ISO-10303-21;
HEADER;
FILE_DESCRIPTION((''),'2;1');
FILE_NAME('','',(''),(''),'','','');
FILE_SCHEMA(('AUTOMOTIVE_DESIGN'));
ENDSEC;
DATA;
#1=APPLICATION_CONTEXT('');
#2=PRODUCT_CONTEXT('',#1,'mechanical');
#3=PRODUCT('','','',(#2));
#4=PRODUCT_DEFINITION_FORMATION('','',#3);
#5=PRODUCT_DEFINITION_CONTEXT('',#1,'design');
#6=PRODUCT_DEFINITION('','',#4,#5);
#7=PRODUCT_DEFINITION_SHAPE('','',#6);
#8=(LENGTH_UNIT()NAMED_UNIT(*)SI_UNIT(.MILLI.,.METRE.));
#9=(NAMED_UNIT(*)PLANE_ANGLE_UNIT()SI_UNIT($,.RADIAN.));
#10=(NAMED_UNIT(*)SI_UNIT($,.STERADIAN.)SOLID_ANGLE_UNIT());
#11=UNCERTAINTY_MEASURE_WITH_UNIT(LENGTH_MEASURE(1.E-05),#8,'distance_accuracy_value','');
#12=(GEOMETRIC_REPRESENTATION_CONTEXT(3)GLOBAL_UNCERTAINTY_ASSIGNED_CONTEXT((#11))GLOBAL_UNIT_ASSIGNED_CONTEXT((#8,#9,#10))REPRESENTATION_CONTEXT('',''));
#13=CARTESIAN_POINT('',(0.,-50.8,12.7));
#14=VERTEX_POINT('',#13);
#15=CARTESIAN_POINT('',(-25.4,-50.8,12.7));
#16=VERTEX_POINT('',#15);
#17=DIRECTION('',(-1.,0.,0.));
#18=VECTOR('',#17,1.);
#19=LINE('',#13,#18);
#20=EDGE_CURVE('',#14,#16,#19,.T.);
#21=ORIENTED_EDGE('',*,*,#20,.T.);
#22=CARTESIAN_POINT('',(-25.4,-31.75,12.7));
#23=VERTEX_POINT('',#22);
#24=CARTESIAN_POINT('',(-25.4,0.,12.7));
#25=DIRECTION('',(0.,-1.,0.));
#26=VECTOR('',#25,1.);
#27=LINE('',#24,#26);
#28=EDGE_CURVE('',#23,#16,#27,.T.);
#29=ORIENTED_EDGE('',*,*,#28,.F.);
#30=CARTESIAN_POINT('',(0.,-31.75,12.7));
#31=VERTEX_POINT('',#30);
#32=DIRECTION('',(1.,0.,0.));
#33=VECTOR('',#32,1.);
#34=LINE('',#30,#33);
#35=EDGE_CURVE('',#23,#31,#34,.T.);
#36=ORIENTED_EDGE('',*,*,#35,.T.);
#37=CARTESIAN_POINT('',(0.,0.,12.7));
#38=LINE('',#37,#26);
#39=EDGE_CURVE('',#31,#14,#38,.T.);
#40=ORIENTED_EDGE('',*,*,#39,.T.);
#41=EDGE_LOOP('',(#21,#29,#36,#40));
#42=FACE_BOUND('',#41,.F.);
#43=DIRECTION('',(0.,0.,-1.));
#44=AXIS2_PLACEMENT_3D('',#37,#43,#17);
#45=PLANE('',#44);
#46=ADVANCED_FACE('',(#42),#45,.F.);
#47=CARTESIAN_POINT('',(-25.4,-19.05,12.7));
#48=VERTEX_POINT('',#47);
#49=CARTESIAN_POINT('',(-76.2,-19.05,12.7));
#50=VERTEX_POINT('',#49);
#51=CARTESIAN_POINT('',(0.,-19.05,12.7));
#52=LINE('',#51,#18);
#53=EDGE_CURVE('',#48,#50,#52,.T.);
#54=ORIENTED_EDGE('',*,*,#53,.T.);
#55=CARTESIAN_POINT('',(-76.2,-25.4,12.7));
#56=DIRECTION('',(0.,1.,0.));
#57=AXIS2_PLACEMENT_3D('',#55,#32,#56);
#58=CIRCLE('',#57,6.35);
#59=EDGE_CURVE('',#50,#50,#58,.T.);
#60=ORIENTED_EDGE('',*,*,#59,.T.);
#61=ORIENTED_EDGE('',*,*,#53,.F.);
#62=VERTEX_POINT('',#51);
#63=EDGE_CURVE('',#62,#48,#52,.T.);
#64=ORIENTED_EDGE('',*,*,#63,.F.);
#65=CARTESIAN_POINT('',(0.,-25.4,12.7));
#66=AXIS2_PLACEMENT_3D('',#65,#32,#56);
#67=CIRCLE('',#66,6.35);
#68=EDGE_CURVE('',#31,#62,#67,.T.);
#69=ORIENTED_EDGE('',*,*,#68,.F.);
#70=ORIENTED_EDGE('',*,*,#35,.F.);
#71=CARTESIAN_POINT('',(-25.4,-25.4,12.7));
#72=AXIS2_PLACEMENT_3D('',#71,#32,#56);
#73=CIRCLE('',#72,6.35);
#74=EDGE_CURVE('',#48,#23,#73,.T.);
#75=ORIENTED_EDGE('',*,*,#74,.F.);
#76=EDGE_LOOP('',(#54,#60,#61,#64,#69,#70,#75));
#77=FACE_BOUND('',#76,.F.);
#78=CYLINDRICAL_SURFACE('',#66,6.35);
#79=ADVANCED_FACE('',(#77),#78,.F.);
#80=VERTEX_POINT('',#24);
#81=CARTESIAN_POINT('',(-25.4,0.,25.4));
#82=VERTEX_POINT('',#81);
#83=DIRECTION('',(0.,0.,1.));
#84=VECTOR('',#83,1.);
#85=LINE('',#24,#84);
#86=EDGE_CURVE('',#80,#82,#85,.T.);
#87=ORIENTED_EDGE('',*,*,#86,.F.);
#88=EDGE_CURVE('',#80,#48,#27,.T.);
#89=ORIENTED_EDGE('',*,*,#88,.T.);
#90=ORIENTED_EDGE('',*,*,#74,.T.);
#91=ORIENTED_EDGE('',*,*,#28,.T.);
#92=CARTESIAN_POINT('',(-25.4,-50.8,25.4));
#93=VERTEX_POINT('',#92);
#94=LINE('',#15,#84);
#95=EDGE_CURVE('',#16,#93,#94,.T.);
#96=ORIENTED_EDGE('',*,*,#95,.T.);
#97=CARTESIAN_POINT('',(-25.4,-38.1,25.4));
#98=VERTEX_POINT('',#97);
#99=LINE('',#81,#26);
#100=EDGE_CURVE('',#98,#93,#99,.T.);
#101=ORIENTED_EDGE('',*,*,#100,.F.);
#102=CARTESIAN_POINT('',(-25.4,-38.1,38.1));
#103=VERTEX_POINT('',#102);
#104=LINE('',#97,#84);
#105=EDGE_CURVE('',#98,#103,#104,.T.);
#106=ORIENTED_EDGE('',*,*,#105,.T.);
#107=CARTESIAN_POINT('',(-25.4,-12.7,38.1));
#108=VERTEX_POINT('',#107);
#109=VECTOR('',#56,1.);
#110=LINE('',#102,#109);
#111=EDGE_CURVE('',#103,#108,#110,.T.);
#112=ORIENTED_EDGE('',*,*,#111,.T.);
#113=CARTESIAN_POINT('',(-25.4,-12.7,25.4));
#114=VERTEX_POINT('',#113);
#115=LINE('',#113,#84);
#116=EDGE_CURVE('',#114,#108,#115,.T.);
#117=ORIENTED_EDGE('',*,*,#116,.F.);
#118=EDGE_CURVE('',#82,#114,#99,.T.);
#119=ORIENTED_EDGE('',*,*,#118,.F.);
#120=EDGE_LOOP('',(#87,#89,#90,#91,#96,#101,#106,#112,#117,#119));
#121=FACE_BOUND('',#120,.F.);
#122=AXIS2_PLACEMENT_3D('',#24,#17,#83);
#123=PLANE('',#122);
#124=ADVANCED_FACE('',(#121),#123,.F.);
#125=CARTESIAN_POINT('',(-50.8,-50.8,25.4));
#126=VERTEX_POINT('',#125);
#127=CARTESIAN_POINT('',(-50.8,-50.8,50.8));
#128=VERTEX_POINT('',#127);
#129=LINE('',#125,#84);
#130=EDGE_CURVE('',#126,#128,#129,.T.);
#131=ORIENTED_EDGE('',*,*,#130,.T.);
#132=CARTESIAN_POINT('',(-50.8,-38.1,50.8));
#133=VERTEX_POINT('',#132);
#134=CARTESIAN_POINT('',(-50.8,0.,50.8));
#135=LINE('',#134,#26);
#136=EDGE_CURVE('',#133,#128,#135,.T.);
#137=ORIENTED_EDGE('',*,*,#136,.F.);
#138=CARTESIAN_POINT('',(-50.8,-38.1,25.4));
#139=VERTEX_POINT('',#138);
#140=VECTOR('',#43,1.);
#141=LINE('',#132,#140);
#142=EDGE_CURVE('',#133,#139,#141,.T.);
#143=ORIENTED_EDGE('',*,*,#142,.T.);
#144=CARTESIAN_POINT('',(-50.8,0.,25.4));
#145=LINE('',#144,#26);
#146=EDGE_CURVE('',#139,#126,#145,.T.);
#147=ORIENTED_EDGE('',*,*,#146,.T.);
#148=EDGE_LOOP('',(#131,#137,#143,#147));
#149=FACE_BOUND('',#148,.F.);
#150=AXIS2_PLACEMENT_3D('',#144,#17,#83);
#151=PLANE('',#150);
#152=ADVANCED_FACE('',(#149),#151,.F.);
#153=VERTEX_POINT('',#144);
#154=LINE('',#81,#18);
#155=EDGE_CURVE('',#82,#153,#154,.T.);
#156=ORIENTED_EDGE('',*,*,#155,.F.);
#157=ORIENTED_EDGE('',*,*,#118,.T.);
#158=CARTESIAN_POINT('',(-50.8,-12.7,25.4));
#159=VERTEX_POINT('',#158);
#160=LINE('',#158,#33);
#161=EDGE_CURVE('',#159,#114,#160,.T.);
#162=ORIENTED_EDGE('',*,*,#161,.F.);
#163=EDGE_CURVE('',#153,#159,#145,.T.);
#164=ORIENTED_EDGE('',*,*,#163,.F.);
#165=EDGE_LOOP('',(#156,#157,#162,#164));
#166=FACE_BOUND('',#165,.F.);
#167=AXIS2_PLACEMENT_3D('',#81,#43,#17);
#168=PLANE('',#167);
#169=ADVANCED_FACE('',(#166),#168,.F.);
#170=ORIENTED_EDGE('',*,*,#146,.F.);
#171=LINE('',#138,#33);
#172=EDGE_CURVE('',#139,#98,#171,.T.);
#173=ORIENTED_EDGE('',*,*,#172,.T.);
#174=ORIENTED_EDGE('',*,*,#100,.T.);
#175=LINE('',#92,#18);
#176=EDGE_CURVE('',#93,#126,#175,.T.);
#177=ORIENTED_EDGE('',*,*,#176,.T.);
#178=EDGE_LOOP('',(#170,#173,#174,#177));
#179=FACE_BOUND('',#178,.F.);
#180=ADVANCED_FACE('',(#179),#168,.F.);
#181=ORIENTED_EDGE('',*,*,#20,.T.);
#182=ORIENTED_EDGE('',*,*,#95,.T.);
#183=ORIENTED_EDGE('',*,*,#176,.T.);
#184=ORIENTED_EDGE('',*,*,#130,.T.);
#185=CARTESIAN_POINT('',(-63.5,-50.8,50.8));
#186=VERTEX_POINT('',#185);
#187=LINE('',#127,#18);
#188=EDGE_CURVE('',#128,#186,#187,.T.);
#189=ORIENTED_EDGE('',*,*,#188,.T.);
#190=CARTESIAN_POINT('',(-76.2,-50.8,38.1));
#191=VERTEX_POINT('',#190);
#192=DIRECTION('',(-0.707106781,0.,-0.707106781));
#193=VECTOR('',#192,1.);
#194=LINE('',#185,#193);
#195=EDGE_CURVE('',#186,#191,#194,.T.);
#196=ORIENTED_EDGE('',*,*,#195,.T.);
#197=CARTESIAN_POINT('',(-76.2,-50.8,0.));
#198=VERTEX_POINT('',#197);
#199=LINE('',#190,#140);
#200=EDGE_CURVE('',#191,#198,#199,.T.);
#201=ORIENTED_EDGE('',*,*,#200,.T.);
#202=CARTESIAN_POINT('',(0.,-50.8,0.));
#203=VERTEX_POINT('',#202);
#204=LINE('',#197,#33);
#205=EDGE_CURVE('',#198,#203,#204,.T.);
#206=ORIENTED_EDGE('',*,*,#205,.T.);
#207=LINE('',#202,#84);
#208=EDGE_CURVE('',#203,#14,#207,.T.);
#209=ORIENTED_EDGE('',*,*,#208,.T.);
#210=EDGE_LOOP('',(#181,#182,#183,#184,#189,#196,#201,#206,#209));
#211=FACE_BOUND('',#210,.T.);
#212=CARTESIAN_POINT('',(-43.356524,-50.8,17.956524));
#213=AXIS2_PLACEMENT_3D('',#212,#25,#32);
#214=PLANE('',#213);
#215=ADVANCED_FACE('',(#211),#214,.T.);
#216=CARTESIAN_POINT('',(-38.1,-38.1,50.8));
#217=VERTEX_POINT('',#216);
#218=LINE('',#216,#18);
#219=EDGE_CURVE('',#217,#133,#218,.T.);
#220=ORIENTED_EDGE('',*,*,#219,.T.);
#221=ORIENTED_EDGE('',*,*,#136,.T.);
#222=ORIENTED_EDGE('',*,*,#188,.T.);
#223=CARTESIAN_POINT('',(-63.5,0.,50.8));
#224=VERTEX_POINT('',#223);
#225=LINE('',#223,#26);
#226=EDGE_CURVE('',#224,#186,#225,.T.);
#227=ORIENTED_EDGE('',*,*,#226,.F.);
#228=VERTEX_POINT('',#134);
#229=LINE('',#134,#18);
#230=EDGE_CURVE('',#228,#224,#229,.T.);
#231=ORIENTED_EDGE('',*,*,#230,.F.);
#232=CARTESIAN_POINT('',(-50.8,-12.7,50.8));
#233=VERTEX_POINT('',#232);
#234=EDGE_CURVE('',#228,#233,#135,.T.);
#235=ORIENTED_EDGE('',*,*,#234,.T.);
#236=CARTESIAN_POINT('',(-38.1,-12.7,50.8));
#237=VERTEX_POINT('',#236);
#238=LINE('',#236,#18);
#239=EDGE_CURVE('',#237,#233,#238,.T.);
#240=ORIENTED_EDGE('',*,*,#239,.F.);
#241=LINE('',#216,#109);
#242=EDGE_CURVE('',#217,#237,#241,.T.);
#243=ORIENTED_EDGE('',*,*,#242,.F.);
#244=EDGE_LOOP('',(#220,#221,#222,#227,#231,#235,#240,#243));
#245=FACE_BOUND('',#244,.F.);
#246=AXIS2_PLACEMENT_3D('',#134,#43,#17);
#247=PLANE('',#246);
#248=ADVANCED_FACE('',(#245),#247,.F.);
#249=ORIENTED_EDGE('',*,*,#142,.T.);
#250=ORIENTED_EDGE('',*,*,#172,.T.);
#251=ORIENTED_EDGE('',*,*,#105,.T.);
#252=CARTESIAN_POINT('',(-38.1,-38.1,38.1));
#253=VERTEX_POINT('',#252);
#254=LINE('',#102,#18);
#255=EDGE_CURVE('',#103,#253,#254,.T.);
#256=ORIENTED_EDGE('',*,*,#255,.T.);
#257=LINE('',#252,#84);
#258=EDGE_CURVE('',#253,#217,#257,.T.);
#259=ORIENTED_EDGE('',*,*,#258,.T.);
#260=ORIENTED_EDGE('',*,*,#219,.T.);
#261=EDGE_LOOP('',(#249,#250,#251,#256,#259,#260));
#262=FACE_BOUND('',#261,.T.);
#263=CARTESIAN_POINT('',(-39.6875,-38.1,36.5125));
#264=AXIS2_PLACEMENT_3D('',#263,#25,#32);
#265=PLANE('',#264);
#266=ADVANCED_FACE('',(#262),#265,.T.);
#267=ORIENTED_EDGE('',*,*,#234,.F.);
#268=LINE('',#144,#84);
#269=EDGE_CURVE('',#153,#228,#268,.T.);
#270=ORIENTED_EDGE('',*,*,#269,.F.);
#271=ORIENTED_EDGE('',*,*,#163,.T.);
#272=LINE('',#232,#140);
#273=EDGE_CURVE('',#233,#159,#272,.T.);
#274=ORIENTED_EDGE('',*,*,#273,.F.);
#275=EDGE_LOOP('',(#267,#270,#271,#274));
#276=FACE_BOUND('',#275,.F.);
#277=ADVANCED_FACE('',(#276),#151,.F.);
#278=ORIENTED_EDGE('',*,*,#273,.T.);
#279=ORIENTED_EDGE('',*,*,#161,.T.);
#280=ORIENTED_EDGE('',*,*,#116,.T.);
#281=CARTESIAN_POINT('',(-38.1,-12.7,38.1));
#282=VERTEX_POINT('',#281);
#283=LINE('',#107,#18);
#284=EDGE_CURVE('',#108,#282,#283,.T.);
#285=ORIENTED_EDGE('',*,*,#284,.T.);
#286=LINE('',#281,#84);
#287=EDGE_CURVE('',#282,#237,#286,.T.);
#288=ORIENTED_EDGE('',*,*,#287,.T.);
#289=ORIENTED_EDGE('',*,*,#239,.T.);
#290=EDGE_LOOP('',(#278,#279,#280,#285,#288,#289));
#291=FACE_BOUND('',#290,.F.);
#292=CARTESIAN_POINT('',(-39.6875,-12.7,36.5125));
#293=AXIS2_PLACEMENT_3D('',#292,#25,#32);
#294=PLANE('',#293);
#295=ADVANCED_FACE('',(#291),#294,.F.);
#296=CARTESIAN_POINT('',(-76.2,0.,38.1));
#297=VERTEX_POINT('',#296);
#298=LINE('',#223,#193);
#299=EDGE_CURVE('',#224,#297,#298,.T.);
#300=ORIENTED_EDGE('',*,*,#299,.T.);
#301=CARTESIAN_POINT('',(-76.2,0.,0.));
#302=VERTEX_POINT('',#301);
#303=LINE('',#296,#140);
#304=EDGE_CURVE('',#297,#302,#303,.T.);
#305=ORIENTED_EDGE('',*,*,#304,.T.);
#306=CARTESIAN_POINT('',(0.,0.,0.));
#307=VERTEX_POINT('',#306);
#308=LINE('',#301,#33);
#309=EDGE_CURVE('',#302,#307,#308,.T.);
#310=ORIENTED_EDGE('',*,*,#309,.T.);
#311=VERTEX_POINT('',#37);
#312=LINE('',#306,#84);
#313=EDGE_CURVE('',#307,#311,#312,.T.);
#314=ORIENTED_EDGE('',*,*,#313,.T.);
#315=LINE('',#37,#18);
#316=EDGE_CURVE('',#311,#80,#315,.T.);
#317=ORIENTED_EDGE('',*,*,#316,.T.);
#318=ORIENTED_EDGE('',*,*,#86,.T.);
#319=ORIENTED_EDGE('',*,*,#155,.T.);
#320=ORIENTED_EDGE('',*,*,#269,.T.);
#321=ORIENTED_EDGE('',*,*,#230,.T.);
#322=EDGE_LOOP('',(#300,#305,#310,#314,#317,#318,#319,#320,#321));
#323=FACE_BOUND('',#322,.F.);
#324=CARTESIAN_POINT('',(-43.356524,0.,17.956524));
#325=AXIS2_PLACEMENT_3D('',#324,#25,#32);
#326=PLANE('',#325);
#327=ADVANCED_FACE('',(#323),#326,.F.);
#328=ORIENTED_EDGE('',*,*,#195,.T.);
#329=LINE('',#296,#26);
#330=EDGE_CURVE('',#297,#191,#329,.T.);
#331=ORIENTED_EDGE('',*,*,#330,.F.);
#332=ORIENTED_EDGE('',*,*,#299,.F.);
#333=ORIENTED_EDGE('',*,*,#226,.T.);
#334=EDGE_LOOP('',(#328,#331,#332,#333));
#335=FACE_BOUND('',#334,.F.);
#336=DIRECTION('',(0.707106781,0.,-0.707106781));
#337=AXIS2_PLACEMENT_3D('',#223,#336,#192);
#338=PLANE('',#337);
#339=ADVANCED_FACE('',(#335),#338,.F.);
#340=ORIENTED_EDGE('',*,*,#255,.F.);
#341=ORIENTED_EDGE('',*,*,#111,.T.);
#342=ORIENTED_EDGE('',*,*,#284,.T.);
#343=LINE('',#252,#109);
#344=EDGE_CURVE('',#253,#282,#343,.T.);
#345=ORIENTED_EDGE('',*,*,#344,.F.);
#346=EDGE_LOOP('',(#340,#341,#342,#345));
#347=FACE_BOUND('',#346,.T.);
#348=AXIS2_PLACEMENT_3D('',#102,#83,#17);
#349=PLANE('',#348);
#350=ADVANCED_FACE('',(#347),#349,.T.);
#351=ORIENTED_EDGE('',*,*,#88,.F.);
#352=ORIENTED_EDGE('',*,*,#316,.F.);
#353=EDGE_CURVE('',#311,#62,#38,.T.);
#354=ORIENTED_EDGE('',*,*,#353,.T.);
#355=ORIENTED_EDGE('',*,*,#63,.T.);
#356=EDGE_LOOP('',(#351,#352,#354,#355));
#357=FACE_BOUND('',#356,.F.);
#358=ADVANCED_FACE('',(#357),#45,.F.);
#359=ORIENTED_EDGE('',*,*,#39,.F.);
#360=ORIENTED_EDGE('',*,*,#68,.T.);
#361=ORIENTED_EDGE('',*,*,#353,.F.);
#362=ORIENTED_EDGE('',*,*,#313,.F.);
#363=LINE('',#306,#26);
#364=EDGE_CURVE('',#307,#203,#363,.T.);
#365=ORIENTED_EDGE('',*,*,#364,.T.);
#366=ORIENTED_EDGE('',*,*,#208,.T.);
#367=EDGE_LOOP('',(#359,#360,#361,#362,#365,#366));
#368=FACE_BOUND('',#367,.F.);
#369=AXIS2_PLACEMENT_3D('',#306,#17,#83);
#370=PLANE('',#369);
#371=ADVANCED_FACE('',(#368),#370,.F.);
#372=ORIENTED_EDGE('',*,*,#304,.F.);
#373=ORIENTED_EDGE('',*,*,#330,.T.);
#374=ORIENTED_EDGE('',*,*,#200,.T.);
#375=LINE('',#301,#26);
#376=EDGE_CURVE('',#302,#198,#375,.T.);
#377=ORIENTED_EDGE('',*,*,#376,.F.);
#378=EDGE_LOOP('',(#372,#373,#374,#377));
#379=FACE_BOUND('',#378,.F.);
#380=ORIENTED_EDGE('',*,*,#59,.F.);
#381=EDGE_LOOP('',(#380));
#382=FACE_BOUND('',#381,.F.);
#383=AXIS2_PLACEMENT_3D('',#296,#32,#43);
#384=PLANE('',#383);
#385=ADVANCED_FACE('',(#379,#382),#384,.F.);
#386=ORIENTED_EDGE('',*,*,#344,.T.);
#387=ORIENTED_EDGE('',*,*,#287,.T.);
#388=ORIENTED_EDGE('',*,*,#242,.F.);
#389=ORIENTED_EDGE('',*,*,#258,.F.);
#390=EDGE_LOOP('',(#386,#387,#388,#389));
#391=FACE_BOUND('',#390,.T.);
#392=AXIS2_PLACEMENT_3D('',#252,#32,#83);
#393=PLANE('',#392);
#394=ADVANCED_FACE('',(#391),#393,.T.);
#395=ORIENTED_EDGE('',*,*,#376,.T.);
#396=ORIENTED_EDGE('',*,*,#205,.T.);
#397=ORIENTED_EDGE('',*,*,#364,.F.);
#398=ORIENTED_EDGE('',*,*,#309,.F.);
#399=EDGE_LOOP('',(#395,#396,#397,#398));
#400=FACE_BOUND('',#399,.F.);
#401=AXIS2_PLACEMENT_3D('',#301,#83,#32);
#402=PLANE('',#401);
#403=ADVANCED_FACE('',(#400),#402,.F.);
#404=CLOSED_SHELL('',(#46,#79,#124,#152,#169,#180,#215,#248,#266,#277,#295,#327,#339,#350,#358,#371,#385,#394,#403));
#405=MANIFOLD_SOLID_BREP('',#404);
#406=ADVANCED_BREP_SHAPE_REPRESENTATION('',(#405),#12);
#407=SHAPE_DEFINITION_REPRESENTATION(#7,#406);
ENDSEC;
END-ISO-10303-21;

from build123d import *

# Parameters (mm, degrees)
F1_DEPTH = 50.8
F4_DEPTH = 25.4
F5_R     = 6.35
F6_DEPTH = 76.2


with BuildPart() as f1:
    # F0 (on Front) → F1 (new body)
    with BuildSketch(Plane.XZ):
        Polygon((-76.2, 0), (0, 0), (0, 12.7), (-25.4, 12.7), (-25.4, 25.4), (-50.8, 25.4), (-50.8, 50.8), (-63.5, 50.8), (-76.2, 38.1), align=None)
    extrude(amount=F1_DEPTH)

    # F3 (on offset) → F4 (join)
    with BuildSketch(Plane.XZ.offset(38.1)):
        Polygon((-38.1, 50.8), (-50.8, 50.8), (-50.8, 25.4), (-25.4, 25.4), (-25.4, 38.1), (-38.1, 38.1), align=None)
    extrude(amount=-F4_DEPTH)

    # F5 (on face) → F6 (cut)
    with BuildSketch(Plane.YZ):
        with Locations((-25.4, 12.7)):
            Circle(F5_R)
    extrude(amount=-F6_DEPTH, mode=Mode.SUBTRACT)


solid = f1.part
